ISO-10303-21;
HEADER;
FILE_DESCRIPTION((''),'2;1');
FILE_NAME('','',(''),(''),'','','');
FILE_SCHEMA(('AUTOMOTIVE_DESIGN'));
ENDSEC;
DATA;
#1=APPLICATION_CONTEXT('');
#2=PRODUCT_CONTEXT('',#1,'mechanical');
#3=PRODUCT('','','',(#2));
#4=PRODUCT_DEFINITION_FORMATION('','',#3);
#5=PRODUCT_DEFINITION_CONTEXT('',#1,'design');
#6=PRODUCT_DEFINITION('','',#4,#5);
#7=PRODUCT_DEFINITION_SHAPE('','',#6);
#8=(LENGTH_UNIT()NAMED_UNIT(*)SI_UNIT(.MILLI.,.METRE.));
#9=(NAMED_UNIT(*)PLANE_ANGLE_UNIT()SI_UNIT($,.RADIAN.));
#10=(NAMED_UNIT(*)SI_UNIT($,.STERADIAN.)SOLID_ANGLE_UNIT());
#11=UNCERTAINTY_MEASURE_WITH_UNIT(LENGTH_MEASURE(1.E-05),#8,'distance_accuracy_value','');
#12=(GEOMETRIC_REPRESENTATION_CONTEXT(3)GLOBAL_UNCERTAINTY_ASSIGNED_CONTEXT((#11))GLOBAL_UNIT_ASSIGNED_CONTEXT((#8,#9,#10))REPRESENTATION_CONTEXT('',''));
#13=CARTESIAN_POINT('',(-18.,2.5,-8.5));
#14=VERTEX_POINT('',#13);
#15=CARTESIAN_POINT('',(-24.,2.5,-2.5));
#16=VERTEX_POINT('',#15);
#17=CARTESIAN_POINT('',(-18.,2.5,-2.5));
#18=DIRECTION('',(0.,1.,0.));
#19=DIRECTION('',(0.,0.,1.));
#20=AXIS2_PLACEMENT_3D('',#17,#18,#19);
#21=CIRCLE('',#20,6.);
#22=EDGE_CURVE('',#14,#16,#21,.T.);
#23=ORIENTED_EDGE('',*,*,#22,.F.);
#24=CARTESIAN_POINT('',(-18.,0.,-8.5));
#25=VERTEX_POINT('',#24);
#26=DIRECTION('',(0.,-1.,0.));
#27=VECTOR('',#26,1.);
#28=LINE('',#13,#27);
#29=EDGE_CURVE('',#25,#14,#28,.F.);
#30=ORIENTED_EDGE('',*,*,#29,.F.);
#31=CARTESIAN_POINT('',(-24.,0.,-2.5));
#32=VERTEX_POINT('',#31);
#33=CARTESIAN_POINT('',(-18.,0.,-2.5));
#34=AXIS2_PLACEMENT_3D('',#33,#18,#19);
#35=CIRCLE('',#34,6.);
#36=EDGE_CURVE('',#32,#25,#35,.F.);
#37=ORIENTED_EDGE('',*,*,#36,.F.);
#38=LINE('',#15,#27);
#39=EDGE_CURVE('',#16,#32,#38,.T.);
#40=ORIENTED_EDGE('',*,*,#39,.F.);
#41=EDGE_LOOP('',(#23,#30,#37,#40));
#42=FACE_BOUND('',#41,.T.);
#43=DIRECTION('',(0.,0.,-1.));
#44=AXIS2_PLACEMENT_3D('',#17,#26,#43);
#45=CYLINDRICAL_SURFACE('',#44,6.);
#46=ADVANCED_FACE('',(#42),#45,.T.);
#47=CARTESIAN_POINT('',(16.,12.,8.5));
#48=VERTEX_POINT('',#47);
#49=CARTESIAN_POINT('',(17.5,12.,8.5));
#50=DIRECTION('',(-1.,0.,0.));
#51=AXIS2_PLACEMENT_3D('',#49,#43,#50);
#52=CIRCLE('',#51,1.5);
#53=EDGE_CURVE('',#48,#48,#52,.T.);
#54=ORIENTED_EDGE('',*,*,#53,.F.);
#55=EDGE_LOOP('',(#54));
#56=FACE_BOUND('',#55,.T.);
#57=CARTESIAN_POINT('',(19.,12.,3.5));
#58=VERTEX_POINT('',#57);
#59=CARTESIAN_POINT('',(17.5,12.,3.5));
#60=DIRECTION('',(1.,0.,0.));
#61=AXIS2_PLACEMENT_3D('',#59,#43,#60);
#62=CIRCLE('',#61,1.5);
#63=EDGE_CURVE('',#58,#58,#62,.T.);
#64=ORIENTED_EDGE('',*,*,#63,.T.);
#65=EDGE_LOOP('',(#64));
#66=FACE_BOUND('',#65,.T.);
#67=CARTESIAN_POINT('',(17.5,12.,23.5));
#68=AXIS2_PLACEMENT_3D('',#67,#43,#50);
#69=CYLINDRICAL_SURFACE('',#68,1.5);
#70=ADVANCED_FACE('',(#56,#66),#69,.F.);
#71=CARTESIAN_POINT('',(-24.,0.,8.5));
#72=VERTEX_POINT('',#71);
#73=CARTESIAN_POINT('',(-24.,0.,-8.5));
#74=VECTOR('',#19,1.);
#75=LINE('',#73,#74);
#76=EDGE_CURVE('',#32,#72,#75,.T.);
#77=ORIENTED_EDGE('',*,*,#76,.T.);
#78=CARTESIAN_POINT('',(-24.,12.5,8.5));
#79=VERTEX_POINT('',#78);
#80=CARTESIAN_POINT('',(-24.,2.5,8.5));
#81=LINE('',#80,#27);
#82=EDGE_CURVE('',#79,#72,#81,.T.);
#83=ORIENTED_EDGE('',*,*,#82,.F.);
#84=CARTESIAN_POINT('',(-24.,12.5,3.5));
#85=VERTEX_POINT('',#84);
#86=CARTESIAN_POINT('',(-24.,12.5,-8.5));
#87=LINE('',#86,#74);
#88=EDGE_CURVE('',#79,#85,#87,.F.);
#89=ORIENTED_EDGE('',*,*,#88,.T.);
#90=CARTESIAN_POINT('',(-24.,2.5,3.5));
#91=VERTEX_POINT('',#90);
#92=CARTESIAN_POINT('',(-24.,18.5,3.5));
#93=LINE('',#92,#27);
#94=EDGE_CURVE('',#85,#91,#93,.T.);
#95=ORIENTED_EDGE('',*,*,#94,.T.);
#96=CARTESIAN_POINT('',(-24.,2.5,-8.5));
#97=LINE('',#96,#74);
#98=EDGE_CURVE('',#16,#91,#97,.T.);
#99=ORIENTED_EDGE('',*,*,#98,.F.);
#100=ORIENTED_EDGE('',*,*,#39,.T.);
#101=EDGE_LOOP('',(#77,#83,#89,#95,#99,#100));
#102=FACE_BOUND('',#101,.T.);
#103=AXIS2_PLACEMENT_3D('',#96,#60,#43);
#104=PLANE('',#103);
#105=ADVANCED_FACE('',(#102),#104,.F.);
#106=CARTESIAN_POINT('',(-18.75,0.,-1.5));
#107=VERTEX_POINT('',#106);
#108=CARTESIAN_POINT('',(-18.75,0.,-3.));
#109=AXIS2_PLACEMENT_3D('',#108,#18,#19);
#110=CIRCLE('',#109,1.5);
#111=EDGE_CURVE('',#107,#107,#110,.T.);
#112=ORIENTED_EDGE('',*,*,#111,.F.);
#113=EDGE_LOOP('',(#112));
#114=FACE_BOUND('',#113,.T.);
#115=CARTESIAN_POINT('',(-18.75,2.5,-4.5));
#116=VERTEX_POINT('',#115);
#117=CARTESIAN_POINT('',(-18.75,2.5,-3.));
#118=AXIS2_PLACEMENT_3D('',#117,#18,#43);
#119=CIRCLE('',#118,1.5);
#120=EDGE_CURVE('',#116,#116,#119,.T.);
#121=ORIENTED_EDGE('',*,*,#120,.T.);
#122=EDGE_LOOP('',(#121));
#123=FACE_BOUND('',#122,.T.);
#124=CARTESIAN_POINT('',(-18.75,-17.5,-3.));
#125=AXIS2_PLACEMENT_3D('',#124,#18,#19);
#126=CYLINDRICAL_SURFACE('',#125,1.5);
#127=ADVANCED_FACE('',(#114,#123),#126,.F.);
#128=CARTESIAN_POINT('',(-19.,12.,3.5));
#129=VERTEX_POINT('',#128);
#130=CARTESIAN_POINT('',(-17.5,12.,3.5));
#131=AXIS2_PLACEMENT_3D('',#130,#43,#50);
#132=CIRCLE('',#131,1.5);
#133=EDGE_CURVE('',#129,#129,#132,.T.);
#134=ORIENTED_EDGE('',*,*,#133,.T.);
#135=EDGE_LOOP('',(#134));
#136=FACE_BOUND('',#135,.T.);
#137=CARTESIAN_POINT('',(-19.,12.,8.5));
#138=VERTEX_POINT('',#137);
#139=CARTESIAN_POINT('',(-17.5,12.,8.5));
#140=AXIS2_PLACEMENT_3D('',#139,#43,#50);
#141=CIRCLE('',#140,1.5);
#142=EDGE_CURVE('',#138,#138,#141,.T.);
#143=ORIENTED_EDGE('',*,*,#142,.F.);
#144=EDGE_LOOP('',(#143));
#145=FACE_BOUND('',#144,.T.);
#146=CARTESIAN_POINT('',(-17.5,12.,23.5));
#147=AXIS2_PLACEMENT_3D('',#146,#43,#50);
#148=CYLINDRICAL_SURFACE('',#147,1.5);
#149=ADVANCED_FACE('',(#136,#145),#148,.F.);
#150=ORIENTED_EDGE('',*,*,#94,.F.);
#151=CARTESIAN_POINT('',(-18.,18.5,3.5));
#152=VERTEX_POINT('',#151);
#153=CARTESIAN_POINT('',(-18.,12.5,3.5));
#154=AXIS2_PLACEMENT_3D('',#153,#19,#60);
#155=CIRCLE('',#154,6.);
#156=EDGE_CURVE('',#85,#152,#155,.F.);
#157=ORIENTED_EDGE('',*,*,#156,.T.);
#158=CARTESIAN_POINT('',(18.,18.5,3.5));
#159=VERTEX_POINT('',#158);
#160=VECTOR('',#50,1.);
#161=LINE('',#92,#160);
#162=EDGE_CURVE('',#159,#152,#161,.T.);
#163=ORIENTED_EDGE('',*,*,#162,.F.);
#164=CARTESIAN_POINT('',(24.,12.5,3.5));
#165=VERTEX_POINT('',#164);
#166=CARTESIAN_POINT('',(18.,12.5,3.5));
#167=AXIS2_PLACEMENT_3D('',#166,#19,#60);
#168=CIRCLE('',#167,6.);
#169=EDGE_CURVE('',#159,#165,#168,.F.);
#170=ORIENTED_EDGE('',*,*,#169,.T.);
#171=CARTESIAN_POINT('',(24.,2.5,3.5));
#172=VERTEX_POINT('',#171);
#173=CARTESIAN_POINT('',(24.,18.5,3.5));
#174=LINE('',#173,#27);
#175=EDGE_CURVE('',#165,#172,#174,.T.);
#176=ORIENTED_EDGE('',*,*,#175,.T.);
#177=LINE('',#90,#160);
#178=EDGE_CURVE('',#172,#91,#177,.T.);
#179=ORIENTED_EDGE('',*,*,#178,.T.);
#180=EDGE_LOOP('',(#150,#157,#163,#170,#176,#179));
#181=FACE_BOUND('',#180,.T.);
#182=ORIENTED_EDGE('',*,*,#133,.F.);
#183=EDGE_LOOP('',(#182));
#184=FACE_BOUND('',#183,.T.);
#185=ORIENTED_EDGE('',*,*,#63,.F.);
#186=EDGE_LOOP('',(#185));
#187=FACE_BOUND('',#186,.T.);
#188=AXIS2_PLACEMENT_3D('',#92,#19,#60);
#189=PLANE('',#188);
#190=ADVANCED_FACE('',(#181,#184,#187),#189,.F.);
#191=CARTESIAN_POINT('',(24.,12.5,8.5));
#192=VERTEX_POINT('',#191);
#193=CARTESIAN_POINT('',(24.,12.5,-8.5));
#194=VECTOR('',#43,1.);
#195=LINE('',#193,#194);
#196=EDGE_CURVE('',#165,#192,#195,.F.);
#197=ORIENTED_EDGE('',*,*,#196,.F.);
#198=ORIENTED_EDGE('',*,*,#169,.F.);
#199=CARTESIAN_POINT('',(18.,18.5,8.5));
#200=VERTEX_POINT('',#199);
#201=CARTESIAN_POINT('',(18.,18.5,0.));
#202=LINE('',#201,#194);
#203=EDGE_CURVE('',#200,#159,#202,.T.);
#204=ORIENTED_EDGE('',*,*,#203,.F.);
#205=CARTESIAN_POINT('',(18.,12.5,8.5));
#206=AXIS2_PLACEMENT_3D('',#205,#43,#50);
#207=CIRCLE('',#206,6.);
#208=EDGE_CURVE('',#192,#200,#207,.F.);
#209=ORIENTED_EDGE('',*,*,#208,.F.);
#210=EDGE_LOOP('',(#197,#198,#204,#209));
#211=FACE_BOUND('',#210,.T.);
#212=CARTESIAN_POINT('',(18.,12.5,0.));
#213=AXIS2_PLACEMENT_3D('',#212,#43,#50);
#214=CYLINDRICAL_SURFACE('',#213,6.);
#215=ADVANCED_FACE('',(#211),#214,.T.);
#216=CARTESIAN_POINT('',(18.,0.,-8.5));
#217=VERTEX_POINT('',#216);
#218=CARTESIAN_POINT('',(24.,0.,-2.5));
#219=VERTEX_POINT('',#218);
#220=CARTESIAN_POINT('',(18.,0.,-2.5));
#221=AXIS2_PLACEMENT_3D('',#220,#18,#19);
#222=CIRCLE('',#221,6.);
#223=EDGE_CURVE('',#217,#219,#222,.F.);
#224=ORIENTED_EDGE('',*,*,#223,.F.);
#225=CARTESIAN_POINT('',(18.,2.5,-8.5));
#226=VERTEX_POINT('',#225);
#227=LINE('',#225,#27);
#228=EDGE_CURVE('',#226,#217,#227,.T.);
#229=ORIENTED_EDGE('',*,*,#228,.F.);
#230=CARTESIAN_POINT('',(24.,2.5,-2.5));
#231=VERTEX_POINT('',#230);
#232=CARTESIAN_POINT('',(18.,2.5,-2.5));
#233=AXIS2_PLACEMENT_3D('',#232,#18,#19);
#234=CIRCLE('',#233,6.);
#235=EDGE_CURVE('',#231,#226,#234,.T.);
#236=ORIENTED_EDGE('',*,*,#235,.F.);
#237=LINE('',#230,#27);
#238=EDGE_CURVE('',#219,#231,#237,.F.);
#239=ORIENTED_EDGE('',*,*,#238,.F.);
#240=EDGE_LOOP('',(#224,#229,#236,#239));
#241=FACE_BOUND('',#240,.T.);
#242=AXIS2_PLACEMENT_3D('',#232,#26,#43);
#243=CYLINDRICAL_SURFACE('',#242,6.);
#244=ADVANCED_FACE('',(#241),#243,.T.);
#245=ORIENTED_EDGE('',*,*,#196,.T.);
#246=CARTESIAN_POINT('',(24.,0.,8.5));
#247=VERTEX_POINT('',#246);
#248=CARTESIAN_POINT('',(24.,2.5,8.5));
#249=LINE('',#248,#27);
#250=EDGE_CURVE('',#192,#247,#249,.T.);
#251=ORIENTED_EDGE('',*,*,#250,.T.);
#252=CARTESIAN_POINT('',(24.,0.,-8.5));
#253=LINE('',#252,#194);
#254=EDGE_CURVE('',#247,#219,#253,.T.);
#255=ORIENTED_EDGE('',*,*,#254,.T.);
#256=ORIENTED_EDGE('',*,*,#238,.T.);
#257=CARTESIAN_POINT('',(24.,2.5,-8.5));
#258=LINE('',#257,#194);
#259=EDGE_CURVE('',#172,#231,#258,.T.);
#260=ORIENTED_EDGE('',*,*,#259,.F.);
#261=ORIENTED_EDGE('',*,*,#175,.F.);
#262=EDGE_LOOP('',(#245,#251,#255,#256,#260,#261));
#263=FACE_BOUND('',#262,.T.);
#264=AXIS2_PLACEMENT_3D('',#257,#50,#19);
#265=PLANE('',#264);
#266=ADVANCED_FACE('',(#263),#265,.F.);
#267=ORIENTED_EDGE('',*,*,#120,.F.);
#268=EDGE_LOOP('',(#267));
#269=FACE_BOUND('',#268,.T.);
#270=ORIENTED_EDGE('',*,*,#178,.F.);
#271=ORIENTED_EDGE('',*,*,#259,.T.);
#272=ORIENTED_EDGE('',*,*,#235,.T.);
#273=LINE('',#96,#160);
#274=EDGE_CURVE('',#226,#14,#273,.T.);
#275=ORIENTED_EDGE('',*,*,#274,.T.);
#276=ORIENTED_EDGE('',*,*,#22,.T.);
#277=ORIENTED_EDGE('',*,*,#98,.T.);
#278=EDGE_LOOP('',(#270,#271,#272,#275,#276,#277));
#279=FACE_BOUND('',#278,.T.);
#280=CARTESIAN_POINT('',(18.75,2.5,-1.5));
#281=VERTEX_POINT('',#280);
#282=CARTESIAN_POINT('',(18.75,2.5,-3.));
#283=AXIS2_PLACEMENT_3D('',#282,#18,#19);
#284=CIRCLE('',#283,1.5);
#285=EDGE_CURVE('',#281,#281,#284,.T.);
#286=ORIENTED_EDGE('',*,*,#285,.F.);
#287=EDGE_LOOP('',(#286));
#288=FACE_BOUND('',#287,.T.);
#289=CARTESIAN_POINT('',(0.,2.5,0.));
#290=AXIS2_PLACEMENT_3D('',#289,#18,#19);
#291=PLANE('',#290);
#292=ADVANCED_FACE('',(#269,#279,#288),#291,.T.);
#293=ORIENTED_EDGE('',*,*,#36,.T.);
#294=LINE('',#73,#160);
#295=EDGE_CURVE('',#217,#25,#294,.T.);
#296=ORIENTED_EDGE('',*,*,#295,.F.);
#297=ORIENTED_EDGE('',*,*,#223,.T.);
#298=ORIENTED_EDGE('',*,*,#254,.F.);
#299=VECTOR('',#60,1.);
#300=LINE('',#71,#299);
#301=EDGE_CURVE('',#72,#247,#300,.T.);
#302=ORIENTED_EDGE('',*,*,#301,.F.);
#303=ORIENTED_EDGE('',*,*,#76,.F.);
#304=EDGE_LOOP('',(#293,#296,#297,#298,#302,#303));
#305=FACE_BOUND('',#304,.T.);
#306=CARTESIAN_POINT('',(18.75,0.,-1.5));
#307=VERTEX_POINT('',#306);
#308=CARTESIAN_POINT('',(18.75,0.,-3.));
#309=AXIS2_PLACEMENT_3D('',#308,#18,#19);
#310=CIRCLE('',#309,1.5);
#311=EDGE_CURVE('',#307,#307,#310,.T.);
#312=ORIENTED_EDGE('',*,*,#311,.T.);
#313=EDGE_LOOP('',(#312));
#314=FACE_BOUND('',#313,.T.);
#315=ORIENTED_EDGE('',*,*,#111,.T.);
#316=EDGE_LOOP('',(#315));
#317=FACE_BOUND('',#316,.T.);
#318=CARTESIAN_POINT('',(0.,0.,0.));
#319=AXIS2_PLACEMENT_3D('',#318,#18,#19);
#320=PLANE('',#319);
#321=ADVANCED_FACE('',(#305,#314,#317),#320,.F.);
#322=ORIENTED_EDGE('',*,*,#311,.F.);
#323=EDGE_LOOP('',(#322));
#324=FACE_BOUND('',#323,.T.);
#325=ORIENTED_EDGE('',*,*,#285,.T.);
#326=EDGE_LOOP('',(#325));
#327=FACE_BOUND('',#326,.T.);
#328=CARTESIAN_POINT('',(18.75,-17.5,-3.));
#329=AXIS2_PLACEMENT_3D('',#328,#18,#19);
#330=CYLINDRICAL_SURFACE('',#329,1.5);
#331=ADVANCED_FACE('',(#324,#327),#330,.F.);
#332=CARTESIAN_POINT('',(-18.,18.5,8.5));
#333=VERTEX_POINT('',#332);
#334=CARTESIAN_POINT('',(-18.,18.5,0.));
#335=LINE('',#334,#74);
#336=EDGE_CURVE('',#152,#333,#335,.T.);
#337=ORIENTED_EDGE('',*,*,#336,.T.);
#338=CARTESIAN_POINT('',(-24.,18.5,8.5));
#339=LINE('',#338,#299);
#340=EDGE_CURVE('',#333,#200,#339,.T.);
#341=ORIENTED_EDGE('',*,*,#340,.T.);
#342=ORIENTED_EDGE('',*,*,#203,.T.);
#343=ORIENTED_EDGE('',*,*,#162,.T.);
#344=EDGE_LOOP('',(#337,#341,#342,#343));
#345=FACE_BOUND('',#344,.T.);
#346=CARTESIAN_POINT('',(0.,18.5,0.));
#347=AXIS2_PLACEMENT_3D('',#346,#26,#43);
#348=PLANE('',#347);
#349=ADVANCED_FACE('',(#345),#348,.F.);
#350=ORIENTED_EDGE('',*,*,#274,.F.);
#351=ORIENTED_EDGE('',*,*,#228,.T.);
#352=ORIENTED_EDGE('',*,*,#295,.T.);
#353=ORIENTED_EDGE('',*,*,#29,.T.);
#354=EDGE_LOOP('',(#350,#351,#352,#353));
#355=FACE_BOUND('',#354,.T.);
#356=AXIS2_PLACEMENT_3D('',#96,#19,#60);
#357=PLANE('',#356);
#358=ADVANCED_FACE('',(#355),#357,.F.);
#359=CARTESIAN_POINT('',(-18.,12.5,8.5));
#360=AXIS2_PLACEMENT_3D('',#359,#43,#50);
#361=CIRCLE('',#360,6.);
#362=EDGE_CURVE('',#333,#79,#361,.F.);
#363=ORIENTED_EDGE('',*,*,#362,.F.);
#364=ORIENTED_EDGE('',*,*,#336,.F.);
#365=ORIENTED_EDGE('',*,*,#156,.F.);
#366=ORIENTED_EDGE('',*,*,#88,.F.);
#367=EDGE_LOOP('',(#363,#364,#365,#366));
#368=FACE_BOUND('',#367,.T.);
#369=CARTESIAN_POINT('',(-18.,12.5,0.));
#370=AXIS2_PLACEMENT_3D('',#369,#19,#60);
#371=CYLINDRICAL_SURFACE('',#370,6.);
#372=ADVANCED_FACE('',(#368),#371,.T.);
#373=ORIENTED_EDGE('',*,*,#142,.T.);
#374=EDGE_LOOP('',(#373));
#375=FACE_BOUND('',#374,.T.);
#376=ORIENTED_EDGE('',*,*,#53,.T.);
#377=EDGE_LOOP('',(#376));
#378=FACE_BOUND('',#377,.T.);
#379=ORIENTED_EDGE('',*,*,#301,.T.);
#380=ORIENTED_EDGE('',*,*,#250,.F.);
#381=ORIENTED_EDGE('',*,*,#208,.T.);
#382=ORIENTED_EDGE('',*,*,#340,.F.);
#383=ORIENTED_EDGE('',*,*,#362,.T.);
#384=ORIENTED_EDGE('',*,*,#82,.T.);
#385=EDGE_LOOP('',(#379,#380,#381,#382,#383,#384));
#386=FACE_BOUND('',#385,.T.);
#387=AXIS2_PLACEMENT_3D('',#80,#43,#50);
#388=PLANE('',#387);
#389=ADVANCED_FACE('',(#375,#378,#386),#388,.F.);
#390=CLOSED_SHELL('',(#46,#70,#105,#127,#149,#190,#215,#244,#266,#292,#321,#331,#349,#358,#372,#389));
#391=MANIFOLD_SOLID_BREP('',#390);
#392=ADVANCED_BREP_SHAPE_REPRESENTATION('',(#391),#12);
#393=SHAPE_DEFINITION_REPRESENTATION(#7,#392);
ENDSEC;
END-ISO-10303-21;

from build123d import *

# Parameters (mm, degrees)
SKETCH_1_W          = 48
SKETCH_1_H          = 17
EXTRUDE_1_DEPTH     = 2.5
SKETCH_2_W          = 48
SKETCH_2_H          = 5
EXTRUDE_2_DEPTH     = 16
SKETCH_3_R          = 1.5
CUT_EXTRUDE_1_DEPTH = 20
FILLET_1_R          = 6
SKETCH_4_R          = 1.5
CUT_EXTRUDE_2_DEPTH = 20


with BuildPart() as part:
    # 草图1 → 凸台-拉伸1 (new body)
    with BuildSketch(Plane(origin=(0, 0, 0), x_dir=(1, 0, 0), z_dir=(0, 1, 0))):
        Rectangle(SKETCH_1_W, SKETCH_1_H)
    extrude(amount=EXTRUDE_1_DEPTH)

    # 草图2 → 凸台-拉伸2 (add)
    with BuildSketch(Plane(origin=(0, 2.5, 0), x_dir=(1, 0, 0), z_dir=(0, 1, 0))):
        with Locations((0, -6)):
            Rectangle(SKETCH_2_W, SKETCH_2_H)
    extrude(amount=EXTRUDE_2_DEPTH)

    # 草图3 → 切除-拉伸1 (cut)
    with BuildSketch(Plane(origin=(0, 2.5, 0), x_dir=(1, 0, 0), z_dir=(0, 1, 0))):
        with Locations(Location((18.75, 3, 0), (0, 0, 270))):
            Circle(SKETCH_3_R)
        with Locations(Location((-18.75, 3, 0), (0, 0, 270))):
            Circle(SKETCH_3_R)
    extrude(amount=-CUT_EXTRUDE_1_DEPTH, mode=Mode.SUBTRACT)

    # 圆角1
    fillet_1_edges = [part.edges().sort_by_distance(p)[0] for p in [
        (24, 18.5, 6),
        (-24, 18.5, 6),
        (-24, 1.25, -8.5),
        (24, 1.25, -8.5),
    ]]
    fillet(fillet_1_edges, radius=FILLET_1_R)

    # 草图4 → 切除-拉伸2 (cut)
    with BuildSketch(Plane(origin=(0, 0, 3.5), x_dir=(-1, 0, 0), z_dir=(0, 0, -1))):
        with Locations((17.5, 12)):
            Circle(SKETCH_4_R)
        with Locations((-17.5, 12)):
            Circle(SKETCH_4_R)
    extrude(amount=-CUT_EXTRUDE_2_DEPTH, mode=Mode.SUBTRACT)


solid = part.part
